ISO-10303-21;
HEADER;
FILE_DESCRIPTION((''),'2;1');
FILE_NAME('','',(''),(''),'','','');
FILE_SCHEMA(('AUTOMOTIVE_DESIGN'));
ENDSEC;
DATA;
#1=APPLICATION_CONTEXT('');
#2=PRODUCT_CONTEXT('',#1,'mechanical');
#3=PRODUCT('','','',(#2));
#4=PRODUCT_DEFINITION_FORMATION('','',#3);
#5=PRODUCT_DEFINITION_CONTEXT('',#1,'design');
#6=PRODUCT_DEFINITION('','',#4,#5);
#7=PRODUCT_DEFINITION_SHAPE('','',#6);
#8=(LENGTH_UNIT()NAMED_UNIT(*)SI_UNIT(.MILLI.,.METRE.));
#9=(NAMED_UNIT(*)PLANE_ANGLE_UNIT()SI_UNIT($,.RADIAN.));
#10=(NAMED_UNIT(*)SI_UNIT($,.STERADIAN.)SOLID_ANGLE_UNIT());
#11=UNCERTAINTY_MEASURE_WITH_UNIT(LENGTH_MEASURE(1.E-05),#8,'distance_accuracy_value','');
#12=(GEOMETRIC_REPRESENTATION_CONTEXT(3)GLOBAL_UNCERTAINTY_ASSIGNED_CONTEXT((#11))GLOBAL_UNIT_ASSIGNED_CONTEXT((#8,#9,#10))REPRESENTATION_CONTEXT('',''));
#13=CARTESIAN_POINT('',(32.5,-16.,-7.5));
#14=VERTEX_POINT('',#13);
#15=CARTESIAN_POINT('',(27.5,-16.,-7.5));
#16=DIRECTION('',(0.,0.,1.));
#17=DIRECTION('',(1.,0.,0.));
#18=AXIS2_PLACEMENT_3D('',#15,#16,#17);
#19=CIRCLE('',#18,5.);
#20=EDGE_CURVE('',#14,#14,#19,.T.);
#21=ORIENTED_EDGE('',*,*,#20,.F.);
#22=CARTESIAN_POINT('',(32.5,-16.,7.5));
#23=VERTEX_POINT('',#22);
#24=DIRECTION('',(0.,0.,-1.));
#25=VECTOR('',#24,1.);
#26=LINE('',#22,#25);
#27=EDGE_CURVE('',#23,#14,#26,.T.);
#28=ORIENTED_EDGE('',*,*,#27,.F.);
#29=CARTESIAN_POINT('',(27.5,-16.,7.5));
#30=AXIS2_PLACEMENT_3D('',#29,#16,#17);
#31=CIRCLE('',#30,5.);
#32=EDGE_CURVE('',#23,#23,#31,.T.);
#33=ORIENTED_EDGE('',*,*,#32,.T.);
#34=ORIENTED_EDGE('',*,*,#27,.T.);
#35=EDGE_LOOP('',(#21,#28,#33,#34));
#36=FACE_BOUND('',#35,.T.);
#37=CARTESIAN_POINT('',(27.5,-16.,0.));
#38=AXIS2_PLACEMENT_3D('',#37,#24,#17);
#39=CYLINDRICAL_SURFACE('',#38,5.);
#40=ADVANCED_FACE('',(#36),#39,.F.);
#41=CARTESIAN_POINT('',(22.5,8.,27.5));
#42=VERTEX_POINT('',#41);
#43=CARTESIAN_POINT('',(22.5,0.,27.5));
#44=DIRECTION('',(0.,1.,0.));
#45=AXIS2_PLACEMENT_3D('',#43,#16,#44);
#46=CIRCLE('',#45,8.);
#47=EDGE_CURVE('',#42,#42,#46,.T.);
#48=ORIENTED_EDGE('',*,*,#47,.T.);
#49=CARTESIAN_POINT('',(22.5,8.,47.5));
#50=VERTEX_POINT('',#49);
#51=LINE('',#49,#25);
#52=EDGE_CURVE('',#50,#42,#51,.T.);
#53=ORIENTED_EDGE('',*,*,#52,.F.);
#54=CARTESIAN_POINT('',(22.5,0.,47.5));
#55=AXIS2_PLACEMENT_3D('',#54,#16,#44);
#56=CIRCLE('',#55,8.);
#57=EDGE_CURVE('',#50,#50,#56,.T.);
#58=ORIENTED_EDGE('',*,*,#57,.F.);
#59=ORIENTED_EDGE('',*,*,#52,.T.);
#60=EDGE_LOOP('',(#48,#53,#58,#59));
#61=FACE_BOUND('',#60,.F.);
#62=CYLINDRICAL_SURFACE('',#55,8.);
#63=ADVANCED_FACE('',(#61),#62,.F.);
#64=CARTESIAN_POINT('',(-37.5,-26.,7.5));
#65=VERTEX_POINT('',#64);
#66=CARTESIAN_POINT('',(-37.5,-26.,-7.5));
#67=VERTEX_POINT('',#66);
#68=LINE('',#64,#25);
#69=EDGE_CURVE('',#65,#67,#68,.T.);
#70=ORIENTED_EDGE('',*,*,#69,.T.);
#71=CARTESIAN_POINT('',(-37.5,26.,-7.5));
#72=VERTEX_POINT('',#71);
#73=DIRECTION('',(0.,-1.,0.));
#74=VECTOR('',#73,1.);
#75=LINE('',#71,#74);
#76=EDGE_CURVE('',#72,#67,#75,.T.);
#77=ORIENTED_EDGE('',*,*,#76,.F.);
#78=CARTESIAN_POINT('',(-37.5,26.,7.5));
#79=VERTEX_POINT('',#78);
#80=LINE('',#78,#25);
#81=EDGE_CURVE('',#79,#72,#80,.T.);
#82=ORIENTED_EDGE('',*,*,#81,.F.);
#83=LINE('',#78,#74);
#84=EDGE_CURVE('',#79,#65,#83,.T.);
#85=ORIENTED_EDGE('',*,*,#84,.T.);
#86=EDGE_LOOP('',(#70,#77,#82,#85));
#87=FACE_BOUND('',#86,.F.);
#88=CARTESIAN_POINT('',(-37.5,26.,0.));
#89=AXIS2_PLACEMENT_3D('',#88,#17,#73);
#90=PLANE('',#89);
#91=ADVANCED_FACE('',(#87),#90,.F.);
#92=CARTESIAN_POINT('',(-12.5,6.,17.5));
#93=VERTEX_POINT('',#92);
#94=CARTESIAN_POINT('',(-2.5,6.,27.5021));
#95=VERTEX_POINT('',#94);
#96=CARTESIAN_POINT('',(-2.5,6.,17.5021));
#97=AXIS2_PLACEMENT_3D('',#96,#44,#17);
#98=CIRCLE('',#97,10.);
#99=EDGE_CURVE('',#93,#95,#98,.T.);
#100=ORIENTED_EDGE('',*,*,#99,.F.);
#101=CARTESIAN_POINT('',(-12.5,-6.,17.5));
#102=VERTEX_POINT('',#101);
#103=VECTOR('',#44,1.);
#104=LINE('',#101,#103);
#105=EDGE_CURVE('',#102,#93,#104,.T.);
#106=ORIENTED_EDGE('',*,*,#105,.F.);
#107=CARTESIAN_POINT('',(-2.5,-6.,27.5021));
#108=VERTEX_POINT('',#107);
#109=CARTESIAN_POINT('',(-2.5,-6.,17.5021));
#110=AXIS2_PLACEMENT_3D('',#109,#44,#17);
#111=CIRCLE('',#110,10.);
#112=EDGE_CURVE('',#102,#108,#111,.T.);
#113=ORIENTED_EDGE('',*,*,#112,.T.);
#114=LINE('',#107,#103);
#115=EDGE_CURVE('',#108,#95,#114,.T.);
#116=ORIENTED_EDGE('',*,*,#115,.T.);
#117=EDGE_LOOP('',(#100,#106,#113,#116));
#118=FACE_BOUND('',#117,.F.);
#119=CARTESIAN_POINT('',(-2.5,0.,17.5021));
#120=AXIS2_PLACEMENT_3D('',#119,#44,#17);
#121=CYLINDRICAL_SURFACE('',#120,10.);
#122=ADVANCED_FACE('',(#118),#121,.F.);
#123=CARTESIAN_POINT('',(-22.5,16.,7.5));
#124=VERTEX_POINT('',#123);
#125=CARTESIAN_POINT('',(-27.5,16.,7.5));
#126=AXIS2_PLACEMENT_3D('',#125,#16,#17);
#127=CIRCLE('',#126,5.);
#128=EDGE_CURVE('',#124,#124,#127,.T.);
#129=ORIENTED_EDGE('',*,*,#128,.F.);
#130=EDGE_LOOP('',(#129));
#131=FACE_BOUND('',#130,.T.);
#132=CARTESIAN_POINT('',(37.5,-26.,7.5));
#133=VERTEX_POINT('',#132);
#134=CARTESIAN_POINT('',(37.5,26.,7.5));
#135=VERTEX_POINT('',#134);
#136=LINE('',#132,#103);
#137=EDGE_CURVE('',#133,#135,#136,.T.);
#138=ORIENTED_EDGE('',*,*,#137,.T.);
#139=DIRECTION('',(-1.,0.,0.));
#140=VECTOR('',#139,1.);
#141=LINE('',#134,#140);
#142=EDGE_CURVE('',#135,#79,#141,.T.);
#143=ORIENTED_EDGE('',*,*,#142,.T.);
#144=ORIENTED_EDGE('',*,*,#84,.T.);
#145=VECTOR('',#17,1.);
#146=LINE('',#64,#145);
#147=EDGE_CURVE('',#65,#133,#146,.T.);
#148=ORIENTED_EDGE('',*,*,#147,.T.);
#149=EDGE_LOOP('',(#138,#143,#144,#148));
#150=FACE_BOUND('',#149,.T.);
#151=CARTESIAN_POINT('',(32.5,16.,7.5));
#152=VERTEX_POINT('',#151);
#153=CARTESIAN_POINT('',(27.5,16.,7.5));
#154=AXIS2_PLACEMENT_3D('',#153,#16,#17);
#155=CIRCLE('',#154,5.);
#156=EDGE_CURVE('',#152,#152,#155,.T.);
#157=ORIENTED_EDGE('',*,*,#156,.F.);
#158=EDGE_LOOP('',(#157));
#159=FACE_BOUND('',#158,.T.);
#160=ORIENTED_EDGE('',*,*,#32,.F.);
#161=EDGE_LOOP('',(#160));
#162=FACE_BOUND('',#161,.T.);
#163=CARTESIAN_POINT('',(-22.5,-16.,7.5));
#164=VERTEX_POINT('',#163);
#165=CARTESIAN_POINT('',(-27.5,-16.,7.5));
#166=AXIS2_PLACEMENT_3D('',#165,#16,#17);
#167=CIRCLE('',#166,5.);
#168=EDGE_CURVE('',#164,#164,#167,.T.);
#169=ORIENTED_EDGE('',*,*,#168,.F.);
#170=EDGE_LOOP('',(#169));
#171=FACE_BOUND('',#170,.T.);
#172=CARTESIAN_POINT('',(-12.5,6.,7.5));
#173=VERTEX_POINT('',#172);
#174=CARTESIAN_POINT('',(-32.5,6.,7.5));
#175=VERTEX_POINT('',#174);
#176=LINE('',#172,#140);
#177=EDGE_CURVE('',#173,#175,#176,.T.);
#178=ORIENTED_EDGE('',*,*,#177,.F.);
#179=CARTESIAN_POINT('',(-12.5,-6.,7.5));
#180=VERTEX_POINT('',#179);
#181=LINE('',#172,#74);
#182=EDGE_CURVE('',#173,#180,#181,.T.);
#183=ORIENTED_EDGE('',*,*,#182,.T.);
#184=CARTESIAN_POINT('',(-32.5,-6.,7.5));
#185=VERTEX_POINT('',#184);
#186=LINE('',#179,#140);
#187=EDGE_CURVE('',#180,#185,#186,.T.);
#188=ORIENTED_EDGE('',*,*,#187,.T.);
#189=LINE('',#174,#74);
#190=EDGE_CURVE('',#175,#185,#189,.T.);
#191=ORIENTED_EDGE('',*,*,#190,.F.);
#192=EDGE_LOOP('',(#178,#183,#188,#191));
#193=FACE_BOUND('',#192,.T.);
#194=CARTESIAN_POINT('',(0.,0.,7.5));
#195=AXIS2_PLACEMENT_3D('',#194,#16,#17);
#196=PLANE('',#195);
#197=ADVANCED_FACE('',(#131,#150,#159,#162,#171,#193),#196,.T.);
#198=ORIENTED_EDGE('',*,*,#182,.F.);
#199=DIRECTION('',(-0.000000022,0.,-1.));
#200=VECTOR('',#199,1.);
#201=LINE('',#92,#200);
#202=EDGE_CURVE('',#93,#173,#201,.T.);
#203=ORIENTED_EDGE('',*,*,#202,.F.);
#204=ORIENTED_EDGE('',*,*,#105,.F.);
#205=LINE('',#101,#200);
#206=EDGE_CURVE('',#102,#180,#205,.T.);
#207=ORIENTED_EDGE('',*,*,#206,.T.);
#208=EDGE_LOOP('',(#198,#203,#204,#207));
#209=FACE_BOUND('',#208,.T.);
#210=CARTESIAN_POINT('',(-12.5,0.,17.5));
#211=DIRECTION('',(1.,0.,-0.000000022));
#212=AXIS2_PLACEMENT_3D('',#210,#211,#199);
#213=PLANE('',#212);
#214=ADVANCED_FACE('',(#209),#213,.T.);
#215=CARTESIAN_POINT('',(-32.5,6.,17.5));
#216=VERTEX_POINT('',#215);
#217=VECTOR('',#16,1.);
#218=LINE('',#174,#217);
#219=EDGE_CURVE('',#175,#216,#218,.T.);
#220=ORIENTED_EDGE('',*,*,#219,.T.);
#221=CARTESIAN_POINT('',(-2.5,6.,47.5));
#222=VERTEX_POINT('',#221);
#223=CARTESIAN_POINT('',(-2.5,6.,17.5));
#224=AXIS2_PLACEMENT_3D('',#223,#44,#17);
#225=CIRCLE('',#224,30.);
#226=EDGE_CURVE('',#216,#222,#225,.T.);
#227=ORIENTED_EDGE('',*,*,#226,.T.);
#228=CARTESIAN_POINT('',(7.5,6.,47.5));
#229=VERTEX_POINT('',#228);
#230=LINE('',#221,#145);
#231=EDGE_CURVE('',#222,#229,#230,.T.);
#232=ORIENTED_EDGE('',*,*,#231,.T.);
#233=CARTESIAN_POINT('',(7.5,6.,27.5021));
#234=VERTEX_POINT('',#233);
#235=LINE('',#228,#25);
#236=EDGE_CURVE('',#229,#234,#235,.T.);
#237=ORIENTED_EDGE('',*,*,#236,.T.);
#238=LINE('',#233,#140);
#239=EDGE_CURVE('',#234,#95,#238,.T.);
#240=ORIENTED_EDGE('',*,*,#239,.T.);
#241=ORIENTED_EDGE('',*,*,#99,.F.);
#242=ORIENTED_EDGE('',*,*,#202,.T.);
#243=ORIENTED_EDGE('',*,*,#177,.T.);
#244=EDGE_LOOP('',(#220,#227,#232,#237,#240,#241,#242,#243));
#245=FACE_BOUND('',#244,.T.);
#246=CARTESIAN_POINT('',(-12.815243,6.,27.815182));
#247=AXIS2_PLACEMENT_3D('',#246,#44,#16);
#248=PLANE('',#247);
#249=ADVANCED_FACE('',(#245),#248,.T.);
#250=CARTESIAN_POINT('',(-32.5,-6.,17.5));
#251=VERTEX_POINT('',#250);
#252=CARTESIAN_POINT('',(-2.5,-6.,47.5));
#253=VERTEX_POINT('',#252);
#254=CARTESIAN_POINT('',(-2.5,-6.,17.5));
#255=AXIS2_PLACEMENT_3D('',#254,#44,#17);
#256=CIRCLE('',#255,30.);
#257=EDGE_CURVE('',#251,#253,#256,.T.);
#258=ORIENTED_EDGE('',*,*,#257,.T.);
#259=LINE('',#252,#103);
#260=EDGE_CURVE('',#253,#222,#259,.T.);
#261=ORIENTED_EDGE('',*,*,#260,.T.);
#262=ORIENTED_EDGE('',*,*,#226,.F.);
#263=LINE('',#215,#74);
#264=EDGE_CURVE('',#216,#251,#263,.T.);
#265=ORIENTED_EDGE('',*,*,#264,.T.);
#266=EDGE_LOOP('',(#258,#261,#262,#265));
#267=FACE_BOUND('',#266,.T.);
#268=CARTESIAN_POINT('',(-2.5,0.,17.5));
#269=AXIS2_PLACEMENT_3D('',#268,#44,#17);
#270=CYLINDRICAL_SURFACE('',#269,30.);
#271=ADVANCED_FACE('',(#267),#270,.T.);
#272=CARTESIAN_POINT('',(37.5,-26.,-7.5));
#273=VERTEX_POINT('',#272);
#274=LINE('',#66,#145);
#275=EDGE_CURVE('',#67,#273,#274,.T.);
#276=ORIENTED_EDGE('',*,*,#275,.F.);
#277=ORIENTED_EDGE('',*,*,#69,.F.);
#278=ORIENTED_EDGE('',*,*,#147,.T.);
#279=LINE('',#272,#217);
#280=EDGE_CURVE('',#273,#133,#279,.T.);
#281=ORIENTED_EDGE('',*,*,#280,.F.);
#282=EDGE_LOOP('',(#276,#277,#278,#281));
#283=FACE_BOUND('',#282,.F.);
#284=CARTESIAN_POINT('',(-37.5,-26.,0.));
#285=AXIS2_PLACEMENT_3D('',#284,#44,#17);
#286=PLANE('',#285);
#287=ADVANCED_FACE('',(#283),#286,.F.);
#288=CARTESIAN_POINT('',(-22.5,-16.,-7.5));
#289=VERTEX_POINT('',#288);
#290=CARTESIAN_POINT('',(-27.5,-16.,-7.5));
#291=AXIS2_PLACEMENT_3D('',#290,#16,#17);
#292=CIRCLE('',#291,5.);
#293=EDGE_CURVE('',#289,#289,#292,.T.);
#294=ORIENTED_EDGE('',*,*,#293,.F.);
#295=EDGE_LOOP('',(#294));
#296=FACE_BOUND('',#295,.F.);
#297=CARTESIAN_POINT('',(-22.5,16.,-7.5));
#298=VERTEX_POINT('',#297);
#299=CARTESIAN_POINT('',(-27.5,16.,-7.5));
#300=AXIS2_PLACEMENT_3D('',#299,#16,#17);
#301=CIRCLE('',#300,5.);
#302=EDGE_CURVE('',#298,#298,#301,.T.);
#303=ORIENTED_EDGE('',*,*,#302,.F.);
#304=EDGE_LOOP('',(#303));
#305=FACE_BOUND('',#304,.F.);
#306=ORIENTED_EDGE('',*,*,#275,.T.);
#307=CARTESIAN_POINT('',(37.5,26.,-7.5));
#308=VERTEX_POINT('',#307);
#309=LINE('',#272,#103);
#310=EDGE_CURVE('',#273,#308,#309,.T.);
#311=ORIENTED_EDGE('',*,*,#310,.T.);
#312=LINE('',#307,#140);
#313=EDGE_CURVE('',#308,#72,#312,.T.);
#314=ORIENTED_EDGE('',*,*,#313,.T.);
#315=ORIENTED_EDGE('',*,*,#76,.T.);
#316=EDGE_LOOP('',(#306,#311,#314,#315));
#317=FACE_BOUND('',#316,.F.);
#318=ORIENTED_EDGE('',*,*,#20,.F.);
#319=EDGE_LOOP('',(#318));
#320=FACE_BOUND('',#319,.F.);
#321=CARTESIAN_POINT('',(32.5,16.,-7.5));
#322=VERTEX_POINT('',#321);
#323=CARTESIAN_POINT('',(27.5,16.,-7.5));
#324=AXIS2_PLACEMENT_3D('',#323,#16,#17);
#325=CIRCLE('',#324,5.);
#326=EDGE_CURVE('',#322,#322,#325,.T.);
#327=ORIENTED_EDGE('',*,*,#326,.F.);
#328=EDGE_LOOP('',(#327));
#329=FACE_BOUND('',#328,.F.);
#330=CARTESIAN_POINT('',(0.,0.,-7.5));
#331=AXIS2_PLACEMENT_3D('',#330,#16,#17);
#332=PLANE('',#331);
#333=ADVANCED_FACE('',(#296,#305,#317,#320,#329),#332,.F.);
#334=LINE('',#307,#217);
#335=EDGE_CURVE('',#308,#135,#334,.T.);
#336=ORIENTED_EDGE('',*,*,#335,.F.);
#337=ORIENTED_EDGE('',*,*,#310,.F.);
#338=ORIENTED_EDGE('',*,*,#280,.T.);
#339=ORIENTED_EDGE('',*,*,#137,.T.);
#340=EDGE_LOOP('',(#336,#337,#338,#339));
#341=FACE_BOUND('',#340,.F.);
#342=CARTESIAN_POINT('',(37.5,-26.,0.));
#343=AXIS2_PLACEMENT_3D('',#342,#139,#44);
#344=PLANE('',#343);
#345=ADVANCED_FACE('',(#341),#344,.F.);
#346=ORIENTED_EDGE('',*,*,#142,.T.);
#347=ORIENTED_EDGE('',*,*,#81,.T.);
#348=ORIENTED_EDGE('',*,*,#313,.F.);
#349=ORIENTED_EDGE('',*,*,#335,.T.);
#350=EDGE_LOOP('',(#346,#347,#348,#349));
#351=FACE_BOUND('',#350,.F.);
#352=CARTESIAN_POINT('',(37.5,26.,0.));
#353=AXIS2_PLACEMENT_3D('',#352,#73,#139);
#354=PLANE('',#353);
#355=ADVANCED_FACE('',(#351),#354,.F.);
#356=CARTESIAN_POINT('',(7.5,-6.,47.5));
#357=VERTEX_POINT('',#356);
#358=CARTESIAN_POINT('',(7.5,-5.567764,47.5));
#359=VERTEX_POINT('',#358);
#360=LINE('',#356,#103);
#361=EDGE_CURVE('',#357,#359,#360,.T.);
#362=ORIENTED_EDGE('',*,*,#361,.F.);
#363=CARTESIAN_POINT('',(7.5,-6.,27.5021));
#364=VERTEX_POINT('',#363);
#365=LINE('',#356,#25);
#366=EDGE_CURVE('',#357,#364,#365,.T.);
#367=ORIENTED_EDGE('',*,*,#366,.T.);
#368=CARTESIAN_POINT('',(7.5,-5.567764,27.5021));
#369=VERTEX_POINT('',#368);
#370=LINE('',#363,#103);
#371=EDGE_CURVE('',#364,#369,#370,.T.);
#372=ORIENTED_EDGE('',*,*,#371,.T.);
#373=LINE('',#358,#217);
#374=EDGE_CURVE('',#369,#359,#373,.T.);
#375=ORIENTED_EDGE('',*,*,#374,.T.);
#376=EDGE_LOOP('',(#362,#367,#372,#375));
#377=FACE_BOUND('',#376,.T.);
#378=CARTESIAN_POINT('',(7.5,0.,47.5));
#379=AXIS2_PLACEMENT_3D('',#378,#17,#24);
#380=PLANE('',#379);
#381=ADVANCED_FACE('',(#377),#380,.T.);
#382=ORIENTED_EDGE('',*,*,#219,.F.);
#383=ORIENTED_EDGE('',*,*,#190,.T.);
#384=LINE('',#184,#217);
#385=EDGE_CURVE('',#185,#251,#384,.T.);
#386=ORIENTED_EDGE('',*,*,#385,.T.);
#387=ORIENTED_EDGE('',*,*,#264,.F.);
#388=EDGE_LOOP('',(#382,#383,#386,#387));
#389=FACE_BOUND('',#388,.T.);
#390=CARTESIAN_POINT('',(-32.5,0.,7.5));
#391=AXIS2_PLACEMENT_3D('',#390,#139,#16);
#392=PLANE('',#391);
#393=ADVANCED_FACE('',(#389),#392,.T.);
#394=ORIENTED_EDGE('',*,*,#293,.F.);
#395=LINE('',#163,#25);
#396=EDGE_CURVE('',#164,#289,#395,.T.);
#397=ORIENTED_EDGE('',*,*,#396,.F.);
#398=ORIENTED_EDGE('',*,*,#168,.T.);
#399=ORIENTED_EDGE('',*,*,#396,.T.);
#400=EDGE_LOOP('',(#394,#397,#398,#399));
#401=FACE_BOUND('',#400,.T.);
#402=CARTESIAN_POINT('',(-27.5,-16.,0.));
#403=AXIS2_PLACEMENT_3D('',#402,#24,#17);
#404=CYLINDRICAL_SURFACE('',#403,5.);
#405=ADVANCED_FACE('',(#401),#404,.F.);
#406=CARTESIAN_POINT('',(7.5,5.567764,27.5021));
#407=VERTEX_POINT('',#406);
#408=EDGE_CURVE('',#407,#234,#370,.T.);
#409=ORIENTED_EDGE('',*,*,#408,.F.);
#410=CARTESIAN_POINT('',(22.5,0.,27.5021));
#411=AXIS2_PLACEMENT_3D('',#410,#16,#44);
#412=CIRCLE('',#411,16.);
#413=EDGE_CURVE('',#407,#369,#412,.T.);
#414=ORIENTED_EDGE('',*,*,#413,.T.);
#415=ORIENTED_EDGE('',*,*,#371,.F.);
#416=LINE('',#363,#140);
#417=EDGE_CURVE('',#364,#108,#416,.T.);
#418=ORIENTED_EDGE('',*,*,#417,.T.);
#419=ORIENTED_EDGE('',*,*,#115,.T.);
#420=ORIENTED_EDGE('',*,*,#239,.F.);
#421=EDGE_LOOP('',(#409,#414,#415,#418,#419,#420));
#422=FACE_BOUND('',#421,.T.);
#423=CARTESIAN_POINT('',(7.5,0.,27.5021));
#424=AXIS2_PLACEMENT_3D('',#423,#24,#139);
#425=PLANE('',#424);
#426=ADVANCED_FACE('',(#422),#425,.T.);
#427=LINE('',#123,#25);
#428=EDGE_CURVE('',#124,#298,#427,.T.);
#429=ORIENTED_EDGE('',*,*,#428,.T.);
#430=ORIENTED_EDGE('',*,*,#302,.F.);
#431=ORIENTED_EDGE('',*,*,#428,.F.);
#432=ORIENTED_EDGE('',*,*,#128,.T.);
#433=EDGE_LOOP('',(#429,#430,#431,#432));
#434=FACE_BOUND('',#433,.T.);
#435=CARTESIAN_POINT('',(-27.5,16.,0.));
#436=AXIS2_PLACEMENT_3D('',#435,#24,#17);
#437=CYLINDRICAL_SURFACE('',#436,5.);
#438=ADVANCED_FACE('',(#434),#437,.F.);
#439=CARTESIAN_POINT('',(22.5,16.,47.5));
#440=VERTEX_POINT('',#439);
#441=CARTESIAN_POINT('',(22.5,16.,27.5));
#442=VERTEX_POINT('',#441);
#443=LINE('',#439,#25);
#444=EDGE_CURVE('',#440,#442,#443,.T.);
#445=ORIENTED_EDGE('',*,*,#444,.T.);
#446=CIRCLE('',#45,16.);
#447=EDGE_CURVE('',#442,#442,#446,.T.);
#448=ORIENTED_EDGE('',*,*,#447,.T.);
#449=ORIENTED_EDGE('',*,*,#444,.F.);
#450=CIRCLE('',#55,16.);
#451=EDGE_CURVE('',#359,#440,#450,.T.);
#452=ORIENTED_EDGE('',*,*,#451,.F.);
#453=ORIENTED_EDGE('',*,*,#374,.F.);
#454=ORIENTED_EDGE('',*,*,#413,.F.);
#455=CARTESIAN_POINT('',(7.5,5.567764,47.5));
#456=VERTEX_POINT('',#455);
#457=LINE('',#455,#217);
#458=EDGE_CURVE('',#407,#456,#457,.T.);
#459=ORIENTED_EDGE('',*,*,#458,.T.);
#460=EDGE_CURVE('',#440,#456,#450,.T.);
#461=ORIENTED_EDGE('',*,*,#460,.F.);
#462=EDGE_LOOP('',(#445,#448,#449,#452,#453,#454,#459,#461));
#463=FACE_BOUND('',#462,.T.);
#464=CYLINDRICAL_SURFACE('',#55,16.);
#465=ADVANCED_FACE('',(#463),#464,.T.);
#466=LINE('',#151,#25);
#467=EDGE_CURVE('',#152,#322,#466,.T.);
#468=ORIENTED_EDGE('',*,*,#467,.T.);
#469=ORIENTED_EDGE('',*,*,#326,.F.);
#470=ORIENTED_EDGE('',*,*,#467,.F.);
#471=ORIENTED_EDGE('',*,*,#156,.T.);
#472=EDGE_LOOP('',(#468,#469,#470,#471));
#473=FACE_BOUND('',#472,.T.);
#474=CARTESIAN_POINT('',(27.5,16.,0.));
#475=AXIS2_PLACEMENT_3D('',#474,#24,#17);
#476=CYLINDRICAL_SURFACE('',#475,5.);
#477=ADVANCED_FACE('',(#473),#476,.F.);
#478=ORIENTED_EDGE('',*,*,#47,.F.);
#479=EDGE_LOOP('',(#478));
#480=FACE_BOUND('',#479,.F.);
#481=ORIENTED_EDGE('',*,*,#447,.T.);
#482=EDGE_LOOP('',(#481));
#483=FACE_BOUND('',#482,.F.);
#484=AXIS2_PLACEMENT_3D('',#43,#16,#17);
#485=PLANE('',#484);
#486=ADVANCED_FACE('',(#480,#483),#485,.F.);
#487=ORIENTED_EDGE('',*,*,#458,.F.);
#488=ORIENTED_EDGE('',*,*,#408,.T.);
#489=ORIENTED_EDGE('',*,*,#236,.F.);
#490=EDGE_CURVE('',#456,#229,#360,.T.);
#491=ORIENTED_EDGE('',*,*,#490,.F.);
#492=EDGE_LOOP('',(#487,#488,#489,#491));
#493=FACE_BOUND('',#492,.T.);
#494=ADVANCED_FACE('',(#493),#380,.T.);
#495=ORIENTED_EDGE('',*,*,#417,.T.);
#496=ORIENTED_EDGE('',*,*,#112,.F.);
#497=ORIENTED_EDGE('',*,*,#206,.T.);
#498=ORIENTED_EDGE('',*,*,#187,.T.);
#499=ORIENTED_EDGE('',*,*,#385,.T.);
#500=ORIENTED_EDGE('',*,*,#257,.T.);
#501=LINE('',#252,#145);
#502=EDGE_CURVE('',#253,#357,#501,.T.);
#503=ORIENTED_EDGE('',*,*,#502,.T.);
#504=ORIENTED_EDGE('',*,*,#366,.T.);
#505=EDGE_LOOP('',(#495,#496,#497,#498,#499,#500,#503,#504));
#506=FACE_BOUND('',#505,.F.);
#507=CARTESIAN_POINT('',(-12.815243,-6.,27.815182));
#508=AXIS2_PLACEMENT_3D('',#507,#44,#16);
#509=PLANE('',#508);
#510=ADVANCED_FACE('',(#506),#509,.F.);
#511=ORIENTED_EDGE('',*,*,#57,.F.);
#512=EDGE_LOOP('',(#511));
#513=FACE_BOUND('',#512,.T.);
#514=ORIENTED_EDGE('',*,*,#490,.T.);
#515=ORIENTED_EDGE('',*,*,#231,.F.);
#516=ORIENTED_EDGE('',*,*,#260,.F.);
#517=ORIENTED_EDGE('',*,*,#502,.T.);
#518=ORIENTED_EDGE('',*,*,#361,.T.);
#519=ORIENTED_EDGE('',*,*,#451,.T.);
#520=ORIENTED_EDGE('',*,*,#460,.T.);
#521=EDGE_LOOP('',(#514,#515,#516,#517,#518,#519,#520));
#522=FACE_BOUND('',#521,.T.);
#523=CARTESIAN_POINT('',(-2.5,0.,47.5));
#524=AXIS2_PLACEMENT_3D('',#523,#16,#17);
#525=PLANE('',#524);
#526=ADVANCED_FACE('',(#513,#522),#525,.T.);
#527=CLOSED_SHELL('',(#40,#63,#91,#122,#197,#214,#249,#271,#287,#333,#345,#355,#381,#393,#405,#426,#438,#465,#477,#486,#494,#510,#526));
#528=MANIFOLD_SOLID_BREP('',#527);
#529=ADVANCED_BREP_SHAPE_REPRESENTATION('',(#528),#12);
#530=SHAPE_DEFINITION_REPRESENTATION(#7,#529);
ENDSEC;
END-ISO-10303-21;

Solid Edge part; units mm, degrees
sketch "Sketch1" plane through (0, 0, 0) normal (0, 0, 1) x (1, 0, 0)
  line L0 (-37.5, -26) -> (37.5, -26)
  line L1 (37.5, -26) -> (37.5, 26)
  line L2 (37.5, 26) -> (-37.5, 26)
  line L3 (-37.5, 26) -> (-37.5, -26)
  circle A0 centre (-27.5, -16) radius 5
  circle A1 centre (-27.5, 16) radius 5
  circle A2 centre (27.5, 16) radius 5
  circle A3 centre (27.5, -16) radius 5
  dimension "D1" = 75
  dimension "D2" = 52
  dimension "D3" = 10
  dimension "D4" = 10
  dimension "D5" = 10
  dimension "D6" = 10
extrude "Protrusion1" add sketch "Sketch1" along normal mid plane 15
sketch "Sketch2" plane through (0, 0, 0) normal (0, -1, 0) x (1, 0, 0)
  arc A0 (-32.5, 17.5) -> (-2.5, 47.5) centre (-2.5, 17.5) cw
  line L0 (-2.5, 47.5) -> (7.5, 47.5)
  line L1 (7.5, 47.5) -> (7.5, 27.5021)
  line L2 (7.5, 27.5021) -> (-2.5, 27.5021)
  arc A1 (-12.5, 17.5) -> (-2.5, 27.5021) centre (-2.5, 17.5021) cw
  line L3 (-12.5, 17.5) -> (-12.5, 7.5)
  line L4 (-12.5, 7.5) -> (-32.5, 7.5)
  line L5 (-32.5, 7.5) -> (-32.5, 17.5)
extrude "ExtrudedProtrusion_2" add sketch "Sketch2" along normal mid plane 12
sketch "Sketch3" plane through (2.5, 0, 47.5) normal (0, 0, 1) x (0, 1, 0)
  circle A0 centre (0, -20) radius 16
  circle A1 centre (0, -20) radius 8
  dimension "D1" = 32
  dimension "D2" = 16
extrude "ExtrudedProtrusion_3" add sketch "Sketch3" against normal blind 20
